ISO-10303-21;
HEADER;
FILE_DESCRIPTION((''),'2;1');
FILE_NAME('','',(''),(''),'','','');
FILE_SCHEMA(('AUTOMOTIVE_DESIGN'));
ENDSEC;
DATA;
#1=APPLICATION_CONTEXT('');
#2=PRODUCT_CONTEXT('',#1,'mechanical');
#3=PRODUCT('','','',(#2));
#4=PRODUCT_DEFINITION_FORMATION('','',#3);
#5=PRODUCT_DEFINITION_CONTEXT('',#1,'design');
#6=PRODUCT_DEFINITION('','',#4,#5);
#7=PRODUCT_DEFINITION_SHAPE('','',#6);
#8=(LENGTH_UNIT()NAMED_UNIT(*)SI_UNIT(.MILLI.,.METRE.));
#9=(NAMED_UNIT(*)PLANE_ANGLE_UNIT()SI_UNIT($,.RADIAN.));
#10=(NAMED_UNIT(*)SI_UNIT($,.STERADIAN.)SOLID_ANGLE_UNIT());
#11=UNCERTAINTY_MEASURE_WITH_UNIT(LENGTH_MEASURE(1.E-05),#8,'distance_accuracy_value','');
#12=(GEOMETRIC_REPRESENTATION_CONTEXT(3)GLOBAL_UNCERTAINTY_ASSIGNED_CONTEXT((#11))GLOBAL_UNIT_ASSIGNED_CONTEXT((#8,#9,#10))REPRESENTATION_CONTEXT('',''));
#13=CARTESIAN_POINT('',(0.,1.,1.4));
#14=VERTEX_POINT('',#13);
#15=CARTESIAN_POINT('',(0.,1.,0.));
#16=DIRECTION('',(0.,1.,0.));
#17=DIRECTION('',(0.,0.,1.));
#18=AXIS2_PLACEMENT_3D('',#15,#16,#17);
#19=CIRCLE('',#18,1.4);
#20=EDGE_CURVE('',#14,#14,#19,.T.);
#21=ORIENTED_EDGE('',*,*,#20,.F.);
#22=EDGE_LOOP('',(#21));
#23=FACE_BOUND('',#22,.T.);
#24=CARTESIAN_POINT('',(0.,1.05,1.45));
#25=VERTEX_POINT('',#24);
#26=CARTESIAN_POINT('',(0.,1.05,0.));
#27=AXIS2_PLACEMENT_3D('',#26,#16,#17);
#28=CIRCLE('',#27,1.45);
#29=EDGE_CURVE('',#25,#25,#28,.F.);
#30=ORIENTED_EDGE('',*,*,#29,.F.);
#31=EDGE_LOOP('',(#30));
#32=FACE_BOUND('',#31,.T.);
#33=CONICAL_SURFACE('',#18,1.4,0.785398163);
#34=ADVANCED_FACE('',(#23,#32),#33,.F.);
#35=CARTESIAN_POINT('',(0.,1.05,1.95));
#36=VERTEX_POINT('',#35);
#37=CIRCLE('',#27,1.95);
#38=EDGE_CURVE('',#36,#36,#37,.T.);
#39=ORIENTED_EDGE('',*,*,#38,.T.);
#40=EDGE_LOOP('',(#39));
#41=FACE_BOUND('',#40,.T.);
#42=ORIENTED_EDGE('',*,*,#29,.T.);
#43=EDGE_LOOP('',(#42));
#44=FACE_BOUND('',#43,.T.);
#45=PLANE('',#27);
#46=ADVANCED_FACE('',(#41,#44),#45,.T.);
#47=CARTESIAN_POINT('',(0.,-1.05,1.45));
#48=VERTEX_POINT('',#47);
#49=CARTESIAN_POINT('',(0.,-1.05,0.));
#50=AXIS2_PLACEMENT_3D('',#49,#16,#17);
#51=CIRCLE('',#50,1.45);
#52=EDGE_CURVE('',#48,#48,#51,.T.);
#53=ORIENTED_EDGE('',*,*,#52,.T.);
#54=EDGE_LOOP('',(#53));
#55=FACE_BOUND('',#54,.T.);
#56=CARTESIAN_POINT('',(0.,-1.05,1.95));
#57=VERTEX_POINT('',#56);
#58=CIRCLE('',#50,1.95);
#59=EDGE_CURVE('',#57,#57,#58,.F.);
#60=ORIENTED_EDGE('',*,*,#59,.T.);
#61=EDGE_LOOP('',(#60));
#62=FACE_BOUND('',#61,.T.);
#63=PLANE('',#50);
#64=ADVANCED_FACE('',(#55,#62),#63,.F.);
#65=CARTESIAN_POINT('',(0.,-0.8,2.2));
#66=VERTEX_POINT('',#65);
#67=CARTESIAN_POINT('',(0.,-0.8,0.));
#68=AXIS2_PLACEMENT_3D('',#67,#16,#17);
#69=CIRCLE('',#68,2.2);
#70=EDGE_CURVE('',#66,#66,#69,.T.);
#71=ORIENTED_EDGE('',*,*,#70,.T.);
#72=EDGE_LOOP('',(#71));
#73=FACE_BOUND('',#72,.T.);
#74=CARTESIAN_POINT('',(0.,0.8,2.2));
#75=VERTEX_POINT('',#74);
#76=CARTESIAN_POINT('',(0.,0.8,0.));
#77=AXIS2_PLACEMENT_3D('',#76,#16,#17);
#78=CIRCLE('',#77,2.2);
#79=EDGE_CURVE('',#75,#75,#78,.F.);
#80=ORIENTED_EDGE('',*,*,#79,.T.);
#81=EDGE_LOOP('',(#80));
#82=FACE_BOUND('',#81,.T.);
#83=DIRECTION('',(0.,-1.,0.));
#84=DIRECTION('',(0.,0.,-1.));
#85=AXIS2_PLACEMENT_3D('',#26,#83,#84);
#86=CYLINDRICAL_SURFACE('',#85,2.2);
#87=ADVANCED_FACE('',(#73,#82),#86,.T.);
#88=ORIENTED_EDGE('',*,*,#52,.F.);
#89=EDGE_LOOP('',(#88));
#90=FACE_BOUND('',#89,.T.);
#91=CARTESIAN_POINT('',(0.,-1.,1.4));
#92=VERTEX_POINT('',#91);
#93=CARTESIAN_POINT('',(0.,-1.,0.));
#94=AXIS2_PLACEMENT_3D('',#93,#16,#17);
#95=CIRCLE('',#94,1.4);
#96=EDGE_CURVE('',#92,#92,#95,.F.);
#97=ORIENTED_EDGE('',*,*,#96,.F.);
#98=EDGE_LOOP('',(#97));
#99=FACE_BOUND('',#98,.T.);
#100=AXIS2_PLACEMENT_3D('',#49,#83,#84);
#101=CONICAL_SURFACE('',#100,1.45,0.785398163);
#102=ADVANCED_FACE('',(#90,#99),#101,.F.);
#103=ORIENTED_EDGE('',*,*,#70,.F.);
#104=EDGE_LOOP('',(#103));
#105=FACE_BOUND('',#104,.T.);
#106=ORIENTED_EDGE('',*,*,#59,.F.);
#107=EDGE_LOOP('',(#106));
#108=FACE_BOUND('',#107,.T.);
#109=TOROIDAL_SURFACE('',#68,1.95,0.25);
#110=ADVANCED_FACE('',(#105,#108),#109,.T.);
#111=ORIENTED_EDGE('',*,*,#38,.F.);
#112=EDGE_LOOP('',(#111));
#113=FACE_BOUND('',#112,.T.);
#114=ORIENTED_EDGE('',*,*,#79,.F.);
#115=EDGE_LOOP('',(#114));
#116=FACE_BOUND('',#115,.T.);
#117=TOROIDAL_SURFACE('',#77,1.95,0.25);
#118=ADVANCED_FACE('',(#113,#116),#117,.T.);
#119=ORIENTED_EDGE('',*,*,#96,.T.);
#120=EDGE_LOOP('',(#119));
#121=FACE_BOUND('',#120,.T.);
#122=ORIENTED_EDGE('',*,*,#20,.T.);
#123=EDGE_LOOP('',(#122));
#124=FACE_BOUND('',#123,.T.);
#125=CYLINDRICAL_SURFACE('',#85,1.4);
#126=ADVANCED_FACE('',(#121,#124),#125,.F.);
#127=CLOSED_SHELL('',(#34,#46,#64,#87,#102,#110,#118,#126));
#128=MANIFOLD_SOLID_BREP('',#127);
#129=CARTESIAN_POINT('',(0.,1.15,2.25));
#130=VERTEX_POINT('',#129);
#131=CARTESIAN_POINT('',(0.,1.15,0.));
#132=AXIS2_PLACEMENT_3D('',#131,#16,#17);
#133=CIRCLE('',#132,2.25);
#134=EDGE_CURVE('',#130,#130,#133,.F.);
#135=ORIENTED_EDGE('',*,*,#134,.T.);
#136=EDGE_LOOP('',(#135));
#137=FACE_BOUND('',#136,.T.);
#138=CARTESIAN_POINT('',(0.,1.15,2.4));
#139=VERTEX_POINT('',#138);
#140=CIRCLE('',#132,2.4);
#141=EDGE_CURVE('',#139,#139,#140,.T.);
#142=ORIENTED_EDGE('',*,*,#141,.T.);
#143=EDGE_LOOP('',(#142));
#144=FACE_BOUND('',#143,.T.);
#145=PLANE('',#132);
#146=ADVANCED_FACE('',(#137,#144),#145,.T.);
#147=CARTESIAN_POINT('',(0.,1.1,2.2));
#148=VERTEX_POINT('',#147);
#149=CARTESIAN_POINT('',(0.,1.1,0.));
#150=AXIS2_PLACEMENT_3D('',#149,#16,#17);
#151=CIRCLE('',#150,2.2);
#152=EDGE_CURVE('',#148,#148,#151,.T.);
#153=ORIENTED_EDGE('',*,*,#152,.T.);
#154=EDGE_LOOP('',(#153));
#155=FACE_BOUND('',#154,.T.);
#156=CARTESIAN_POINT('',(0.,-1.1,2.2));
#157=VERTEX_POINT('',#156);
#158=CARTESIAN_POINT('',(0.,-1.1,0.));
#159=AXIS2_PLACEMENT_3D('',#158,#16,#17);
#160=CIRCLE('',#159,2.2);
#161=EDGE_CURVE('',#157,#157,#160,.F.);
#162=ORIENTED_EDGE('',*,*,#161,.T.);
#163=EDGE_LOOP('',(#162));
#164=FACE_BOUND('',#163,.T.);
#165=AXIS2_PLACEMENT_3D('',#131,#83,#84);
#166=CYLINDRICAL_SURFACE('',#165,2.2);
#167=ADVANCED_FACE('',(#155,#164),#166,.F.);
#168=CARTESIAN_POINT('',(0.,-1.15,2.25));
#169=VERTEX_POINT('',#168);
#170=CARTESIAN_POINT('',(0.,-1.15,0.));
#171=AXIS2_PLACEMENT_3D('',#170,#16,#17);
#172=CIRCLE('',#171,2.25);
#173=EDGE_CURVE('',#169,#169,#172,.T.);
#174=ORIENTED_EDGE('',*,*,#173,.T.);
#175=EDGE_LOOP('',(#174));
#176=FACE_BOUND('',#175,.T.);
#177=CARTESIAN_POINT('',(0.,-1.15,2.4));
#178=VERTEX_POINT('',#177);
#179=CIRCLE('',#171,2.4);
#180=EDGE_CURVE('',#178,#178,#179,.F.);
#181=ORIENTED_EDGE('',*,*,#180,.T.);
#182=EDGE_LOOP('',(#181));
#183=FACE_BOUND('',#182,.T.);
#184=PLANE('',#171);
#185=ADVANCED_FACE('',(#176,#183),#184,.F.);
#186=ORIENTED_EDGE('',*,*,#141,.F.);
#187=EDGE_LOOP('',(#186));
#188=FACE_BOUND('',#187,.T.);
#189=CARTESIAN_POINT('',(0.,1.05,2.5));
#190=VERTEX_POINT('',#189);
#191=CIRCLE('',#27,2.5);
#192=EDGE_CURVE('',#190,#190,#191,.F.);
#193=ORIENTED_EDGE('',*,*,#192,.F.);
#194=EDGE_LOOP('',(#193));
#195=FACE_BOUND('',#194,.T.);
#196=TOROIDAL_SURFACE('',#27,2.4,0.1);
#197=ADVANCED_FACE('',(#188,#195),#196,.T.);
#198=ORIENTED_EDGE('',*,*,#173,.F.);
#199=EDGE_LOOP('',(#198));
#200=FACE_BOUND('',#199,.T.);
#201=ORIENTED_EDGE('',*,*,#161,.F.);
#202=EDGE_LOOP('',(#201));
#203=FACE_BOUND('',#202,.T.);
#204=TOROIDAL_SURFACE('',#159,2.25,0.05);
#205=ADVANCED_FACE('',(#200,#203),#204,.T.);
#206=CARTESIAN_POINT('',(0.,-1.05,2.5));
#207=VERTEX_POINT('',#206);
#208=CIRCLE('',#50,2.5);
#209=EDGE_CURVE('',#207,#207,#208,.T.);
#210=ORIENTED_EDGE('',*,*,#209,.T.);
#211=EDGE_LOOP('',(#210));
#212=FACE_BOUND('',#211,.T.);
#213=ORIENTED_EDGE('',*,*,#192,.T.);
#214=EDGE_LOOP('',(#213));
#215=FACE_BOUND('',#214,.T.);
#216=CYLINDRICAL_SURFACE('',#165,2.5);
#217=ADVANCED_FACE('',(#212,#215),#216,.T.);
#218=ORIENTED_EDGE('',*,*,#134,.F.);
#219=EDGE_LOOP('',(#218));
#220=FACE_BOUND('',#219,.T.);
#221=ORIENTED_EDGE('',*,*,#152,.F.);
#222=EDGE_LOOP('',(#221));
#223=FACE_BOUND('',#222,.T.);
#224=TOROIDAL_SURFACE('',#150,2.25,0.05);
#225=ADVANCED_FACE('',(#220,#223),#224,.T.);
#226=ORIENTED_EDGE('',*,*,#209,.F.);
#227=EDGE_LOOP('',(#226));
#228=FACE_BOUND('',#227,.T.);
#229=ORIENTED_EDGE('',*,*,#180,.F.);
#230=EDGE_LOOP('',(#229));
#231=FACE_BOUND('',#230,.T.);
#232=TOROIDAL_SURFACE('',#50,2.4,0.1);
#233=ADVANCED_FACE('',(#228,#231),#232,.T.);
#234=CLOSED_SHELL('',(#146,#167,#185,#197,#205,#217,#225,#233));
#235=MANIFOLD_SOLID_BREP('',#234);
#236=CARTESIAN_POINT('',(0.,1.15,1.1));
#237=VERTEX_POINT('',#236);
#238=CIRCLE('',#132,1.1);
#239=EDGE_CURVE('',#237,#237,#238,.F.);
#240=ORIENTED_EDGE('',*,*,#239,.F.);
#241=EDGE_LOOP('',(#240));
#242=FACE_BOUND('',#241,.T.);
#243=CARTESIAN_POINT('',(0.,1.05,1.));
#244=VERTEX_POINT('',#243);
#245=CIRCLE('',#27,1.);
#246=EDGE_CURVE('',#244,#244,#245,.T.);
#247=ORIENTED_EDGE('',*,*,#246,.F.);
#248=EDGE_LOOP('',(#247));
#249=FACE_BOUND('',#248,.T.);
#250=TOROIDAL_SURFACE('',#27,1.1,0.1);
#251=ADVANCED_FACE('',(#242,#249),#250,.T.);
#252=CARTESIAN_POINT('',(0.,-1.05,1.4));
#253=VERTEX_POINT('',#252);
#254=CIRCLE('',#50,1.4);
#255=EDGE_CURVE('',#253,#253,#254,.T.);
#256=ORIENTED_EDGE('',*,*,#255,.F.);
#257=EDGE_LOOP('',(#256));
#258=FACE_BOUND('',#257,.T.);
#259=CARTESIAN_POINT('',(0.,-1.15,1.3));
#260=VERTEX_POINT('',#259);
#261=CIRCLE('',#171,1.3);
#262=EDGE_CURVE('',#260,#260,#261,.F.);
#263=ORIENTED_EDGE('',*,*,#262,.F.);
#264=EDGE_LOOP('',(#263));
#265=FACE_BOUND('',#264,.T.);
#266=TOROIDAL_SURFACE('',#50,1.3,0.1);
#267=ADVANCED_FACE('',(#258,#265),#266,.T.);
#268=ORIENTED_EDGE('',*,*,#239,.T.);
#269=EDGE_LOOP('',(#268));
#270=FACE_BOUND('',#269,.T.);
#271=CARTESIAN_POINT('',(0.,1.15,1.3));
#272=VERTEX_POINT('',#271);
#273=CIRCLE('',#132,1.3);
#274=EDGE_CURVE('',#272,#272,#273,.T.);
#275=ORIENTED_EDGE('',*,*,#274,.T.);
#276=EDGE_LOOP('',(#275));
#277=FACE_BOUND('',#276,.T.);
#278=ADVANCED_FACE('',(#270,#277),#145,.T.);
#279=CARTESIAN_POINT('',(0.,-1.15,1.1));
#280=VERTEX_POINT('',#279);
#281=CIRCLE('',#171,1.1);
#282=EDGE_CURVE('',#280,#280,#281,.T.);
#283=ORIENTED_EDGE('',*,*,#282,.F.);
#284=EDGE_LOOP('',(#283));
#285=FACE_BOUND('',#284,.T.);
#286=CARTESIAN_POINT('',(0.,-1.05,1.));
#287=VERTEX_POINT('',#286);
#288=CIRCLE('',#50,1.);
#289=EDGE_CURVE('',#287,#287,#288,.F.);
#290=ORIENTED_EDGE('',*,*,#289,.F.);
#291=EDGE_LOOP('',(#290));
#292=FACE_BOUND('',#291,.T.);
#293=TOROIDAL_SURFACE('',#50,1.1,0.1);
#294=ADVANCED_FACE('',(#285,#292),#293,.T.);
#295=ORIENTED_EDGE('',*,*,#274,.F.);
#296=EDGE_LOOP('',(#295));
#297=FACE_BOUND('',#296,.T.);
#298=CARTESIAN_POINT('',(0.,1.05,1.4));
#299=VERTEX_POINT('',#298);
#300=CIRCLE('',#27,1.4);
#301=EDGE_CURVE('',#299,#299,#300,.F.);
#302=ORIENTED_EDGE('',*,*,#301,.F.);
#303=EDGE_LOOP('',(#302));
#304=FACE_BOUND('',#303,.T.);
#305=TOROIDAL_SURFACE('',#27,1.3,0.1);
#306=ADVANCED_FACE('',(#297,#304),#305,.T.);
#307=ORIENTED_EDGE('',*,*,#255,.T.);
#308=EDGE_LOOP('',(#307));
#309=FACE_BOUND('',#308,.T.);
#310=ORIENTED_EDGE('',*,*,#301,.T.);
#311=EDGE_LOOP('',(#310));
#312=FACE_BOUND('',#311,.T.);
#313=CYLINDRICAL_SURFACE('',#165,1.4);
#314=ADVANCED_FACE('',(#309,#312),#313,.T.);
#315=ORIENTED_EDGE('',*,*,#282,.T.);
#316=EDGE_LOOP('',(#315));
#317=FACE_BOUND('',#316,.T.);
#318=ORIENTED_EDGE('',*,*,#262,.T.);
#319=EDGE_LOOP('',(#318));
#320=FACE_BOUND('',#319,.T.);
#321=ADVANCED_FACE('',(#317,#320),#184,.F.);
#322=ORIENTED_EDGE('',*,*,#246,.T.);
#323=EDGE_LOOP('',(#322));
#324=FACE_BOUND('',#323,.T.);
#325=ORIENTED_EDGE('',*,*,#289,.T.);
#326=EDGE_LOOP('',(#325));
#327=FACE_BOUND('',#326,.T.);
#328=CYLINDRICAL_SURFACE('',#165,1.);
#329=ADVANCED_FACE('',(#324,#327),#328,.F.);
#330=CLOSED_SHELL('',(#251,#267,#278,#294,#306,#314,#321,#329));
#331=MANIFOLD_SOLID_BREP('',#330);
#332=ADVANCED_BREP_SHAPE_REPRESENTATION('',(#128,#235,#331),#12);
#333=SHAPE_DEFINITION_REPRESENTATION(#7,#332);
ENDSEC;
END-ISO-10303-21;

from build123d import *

# Parameters (mm, degrees)
SKETCH2_R           = 1.4
SKETCH2_R_2         = 1
BOSS_EXTRUDE1_DEPTH = 1.15
SKETCH4_R           = 2.5
SKETCH4_R_2         = 2.2
BOSS_EXTRUDE2_DEPTH = 1.15
FILLET1_R           = 0.1
FILLET2_R           = 0.1
FILLET3_R           = 0.05
SKETCH5_R           = 2.2
SKETCH5_R_2         = 1.4
BOSS_EXTRUDE3_DEPTH = 1.05
FILLET4_R           = 0.25
CHAMFER1_SIZE       = 0.05


with BuildPart() as part:
    # Sketch2 → Boss-Extrude1 (new, symmetric)
    with BuildSketch(Plane(origin=(0, 0, 0), x_dir=(1, 0, 0), z_dir=(0, 1, 0))):
        with Locations(Location((0, 0, 0), (0, 0, 270))):
            Circle(SKETCH2_R)
        with Locations(Location((0, 0, 0), (0, 0, 270))):
            Circle(SKETCH2_R_2, mode=Mode.SUBTRACT)
    extrude(amount=BOSS_EXTRUDE1_DEPTH, both=True)

    # Fillet1
    fillet1_edges = [part.edges().sort_by_distance(p)[0] for p in [
        (0, -1.15, -1.4),
        (0, 1.15, -1.4),
        (0, -1.15, -1),
        (0, 1.15, -1),
    ]]
    fillet(fillet1_edges, radius=FILLET1_R)


with BuildPart() as body_2:
    # Sketch4 → Boss-Extrude2 (new, symmetric)
    with BuildSketch(Plane(origin=(0, 0, 0), x_dir=(1, 0, 0), z_dir=(0, 1, 0))):
        with Locations(Location((0, 0, 0), (0, 0, 270))):
            Circle(SKETCH4_R)
        with Locations(Location((0, 0, 0), (0, 0, 270))):
            Circle(SKETCH4_R_2, mode=Mode.SUBTRACT)
    extrude(amount=BOSS_EXTRUDE2_DEPTH, both=True)

    # Fillet2
    fillet2_edges = [body_2.edges().sort_by_distance(p)[0] for p in [
        (0, -1.15, -2.5),
        (0, 1.15, -2.5),
    ]]
    fillet(fillet2_edges, radius=FILLET2_R)

    # Fillet3
    fillet3_edges = [body_2.edges().sort_by_distance(p)[0] for p in [
        (0, -1.15, -2.2),
        (0, 1.15, -2.2),
    ]]
    fillet(fillet3_edges, radius=FILLET3_R)


with BuildPart() as body_3:
    # Sketch5 → Boss-Extrude3 (new, symmetric)
    with BuildSketch(Plane(origin=(0, 0, 0), x_dir=(1, 0, 0), z_dir=(0, 1, 0))):
        with Locations(Location((0, 0, 0), (0, 0, 270))):
            Circle(SKETCH5_R)
        with Locations(Location((0, 0, 0), (0, 0, 270))):
            Circle(SKETCH5_R_2, mode=Mode.SUBTRACT)
    extrude(amount=BOSS_EXTRUDE3_DEPTH, both=True)

    # Fillet4
    fillet4_edges = [body_3.edges().sort_by_distance(p)[0] for p in [
        (0, -1.05, -2.2),
        (0, 1.05, -2.2),
    ]]
    fillet(fillet4_edges, radius=FILLET4_R)

    # Chamfer1
    chamfer1_edges = [body_3.edges().sort_by_distance(p)[0] for p in [
        (0, -1.05, -1.4),
        (0, 1.05, -1.4),
    ]]
    chamfer(chamfer1_edges, length=CHAMFER1_SIZE)


solid = Compound([part.part, body_2.part, body_3.part])
